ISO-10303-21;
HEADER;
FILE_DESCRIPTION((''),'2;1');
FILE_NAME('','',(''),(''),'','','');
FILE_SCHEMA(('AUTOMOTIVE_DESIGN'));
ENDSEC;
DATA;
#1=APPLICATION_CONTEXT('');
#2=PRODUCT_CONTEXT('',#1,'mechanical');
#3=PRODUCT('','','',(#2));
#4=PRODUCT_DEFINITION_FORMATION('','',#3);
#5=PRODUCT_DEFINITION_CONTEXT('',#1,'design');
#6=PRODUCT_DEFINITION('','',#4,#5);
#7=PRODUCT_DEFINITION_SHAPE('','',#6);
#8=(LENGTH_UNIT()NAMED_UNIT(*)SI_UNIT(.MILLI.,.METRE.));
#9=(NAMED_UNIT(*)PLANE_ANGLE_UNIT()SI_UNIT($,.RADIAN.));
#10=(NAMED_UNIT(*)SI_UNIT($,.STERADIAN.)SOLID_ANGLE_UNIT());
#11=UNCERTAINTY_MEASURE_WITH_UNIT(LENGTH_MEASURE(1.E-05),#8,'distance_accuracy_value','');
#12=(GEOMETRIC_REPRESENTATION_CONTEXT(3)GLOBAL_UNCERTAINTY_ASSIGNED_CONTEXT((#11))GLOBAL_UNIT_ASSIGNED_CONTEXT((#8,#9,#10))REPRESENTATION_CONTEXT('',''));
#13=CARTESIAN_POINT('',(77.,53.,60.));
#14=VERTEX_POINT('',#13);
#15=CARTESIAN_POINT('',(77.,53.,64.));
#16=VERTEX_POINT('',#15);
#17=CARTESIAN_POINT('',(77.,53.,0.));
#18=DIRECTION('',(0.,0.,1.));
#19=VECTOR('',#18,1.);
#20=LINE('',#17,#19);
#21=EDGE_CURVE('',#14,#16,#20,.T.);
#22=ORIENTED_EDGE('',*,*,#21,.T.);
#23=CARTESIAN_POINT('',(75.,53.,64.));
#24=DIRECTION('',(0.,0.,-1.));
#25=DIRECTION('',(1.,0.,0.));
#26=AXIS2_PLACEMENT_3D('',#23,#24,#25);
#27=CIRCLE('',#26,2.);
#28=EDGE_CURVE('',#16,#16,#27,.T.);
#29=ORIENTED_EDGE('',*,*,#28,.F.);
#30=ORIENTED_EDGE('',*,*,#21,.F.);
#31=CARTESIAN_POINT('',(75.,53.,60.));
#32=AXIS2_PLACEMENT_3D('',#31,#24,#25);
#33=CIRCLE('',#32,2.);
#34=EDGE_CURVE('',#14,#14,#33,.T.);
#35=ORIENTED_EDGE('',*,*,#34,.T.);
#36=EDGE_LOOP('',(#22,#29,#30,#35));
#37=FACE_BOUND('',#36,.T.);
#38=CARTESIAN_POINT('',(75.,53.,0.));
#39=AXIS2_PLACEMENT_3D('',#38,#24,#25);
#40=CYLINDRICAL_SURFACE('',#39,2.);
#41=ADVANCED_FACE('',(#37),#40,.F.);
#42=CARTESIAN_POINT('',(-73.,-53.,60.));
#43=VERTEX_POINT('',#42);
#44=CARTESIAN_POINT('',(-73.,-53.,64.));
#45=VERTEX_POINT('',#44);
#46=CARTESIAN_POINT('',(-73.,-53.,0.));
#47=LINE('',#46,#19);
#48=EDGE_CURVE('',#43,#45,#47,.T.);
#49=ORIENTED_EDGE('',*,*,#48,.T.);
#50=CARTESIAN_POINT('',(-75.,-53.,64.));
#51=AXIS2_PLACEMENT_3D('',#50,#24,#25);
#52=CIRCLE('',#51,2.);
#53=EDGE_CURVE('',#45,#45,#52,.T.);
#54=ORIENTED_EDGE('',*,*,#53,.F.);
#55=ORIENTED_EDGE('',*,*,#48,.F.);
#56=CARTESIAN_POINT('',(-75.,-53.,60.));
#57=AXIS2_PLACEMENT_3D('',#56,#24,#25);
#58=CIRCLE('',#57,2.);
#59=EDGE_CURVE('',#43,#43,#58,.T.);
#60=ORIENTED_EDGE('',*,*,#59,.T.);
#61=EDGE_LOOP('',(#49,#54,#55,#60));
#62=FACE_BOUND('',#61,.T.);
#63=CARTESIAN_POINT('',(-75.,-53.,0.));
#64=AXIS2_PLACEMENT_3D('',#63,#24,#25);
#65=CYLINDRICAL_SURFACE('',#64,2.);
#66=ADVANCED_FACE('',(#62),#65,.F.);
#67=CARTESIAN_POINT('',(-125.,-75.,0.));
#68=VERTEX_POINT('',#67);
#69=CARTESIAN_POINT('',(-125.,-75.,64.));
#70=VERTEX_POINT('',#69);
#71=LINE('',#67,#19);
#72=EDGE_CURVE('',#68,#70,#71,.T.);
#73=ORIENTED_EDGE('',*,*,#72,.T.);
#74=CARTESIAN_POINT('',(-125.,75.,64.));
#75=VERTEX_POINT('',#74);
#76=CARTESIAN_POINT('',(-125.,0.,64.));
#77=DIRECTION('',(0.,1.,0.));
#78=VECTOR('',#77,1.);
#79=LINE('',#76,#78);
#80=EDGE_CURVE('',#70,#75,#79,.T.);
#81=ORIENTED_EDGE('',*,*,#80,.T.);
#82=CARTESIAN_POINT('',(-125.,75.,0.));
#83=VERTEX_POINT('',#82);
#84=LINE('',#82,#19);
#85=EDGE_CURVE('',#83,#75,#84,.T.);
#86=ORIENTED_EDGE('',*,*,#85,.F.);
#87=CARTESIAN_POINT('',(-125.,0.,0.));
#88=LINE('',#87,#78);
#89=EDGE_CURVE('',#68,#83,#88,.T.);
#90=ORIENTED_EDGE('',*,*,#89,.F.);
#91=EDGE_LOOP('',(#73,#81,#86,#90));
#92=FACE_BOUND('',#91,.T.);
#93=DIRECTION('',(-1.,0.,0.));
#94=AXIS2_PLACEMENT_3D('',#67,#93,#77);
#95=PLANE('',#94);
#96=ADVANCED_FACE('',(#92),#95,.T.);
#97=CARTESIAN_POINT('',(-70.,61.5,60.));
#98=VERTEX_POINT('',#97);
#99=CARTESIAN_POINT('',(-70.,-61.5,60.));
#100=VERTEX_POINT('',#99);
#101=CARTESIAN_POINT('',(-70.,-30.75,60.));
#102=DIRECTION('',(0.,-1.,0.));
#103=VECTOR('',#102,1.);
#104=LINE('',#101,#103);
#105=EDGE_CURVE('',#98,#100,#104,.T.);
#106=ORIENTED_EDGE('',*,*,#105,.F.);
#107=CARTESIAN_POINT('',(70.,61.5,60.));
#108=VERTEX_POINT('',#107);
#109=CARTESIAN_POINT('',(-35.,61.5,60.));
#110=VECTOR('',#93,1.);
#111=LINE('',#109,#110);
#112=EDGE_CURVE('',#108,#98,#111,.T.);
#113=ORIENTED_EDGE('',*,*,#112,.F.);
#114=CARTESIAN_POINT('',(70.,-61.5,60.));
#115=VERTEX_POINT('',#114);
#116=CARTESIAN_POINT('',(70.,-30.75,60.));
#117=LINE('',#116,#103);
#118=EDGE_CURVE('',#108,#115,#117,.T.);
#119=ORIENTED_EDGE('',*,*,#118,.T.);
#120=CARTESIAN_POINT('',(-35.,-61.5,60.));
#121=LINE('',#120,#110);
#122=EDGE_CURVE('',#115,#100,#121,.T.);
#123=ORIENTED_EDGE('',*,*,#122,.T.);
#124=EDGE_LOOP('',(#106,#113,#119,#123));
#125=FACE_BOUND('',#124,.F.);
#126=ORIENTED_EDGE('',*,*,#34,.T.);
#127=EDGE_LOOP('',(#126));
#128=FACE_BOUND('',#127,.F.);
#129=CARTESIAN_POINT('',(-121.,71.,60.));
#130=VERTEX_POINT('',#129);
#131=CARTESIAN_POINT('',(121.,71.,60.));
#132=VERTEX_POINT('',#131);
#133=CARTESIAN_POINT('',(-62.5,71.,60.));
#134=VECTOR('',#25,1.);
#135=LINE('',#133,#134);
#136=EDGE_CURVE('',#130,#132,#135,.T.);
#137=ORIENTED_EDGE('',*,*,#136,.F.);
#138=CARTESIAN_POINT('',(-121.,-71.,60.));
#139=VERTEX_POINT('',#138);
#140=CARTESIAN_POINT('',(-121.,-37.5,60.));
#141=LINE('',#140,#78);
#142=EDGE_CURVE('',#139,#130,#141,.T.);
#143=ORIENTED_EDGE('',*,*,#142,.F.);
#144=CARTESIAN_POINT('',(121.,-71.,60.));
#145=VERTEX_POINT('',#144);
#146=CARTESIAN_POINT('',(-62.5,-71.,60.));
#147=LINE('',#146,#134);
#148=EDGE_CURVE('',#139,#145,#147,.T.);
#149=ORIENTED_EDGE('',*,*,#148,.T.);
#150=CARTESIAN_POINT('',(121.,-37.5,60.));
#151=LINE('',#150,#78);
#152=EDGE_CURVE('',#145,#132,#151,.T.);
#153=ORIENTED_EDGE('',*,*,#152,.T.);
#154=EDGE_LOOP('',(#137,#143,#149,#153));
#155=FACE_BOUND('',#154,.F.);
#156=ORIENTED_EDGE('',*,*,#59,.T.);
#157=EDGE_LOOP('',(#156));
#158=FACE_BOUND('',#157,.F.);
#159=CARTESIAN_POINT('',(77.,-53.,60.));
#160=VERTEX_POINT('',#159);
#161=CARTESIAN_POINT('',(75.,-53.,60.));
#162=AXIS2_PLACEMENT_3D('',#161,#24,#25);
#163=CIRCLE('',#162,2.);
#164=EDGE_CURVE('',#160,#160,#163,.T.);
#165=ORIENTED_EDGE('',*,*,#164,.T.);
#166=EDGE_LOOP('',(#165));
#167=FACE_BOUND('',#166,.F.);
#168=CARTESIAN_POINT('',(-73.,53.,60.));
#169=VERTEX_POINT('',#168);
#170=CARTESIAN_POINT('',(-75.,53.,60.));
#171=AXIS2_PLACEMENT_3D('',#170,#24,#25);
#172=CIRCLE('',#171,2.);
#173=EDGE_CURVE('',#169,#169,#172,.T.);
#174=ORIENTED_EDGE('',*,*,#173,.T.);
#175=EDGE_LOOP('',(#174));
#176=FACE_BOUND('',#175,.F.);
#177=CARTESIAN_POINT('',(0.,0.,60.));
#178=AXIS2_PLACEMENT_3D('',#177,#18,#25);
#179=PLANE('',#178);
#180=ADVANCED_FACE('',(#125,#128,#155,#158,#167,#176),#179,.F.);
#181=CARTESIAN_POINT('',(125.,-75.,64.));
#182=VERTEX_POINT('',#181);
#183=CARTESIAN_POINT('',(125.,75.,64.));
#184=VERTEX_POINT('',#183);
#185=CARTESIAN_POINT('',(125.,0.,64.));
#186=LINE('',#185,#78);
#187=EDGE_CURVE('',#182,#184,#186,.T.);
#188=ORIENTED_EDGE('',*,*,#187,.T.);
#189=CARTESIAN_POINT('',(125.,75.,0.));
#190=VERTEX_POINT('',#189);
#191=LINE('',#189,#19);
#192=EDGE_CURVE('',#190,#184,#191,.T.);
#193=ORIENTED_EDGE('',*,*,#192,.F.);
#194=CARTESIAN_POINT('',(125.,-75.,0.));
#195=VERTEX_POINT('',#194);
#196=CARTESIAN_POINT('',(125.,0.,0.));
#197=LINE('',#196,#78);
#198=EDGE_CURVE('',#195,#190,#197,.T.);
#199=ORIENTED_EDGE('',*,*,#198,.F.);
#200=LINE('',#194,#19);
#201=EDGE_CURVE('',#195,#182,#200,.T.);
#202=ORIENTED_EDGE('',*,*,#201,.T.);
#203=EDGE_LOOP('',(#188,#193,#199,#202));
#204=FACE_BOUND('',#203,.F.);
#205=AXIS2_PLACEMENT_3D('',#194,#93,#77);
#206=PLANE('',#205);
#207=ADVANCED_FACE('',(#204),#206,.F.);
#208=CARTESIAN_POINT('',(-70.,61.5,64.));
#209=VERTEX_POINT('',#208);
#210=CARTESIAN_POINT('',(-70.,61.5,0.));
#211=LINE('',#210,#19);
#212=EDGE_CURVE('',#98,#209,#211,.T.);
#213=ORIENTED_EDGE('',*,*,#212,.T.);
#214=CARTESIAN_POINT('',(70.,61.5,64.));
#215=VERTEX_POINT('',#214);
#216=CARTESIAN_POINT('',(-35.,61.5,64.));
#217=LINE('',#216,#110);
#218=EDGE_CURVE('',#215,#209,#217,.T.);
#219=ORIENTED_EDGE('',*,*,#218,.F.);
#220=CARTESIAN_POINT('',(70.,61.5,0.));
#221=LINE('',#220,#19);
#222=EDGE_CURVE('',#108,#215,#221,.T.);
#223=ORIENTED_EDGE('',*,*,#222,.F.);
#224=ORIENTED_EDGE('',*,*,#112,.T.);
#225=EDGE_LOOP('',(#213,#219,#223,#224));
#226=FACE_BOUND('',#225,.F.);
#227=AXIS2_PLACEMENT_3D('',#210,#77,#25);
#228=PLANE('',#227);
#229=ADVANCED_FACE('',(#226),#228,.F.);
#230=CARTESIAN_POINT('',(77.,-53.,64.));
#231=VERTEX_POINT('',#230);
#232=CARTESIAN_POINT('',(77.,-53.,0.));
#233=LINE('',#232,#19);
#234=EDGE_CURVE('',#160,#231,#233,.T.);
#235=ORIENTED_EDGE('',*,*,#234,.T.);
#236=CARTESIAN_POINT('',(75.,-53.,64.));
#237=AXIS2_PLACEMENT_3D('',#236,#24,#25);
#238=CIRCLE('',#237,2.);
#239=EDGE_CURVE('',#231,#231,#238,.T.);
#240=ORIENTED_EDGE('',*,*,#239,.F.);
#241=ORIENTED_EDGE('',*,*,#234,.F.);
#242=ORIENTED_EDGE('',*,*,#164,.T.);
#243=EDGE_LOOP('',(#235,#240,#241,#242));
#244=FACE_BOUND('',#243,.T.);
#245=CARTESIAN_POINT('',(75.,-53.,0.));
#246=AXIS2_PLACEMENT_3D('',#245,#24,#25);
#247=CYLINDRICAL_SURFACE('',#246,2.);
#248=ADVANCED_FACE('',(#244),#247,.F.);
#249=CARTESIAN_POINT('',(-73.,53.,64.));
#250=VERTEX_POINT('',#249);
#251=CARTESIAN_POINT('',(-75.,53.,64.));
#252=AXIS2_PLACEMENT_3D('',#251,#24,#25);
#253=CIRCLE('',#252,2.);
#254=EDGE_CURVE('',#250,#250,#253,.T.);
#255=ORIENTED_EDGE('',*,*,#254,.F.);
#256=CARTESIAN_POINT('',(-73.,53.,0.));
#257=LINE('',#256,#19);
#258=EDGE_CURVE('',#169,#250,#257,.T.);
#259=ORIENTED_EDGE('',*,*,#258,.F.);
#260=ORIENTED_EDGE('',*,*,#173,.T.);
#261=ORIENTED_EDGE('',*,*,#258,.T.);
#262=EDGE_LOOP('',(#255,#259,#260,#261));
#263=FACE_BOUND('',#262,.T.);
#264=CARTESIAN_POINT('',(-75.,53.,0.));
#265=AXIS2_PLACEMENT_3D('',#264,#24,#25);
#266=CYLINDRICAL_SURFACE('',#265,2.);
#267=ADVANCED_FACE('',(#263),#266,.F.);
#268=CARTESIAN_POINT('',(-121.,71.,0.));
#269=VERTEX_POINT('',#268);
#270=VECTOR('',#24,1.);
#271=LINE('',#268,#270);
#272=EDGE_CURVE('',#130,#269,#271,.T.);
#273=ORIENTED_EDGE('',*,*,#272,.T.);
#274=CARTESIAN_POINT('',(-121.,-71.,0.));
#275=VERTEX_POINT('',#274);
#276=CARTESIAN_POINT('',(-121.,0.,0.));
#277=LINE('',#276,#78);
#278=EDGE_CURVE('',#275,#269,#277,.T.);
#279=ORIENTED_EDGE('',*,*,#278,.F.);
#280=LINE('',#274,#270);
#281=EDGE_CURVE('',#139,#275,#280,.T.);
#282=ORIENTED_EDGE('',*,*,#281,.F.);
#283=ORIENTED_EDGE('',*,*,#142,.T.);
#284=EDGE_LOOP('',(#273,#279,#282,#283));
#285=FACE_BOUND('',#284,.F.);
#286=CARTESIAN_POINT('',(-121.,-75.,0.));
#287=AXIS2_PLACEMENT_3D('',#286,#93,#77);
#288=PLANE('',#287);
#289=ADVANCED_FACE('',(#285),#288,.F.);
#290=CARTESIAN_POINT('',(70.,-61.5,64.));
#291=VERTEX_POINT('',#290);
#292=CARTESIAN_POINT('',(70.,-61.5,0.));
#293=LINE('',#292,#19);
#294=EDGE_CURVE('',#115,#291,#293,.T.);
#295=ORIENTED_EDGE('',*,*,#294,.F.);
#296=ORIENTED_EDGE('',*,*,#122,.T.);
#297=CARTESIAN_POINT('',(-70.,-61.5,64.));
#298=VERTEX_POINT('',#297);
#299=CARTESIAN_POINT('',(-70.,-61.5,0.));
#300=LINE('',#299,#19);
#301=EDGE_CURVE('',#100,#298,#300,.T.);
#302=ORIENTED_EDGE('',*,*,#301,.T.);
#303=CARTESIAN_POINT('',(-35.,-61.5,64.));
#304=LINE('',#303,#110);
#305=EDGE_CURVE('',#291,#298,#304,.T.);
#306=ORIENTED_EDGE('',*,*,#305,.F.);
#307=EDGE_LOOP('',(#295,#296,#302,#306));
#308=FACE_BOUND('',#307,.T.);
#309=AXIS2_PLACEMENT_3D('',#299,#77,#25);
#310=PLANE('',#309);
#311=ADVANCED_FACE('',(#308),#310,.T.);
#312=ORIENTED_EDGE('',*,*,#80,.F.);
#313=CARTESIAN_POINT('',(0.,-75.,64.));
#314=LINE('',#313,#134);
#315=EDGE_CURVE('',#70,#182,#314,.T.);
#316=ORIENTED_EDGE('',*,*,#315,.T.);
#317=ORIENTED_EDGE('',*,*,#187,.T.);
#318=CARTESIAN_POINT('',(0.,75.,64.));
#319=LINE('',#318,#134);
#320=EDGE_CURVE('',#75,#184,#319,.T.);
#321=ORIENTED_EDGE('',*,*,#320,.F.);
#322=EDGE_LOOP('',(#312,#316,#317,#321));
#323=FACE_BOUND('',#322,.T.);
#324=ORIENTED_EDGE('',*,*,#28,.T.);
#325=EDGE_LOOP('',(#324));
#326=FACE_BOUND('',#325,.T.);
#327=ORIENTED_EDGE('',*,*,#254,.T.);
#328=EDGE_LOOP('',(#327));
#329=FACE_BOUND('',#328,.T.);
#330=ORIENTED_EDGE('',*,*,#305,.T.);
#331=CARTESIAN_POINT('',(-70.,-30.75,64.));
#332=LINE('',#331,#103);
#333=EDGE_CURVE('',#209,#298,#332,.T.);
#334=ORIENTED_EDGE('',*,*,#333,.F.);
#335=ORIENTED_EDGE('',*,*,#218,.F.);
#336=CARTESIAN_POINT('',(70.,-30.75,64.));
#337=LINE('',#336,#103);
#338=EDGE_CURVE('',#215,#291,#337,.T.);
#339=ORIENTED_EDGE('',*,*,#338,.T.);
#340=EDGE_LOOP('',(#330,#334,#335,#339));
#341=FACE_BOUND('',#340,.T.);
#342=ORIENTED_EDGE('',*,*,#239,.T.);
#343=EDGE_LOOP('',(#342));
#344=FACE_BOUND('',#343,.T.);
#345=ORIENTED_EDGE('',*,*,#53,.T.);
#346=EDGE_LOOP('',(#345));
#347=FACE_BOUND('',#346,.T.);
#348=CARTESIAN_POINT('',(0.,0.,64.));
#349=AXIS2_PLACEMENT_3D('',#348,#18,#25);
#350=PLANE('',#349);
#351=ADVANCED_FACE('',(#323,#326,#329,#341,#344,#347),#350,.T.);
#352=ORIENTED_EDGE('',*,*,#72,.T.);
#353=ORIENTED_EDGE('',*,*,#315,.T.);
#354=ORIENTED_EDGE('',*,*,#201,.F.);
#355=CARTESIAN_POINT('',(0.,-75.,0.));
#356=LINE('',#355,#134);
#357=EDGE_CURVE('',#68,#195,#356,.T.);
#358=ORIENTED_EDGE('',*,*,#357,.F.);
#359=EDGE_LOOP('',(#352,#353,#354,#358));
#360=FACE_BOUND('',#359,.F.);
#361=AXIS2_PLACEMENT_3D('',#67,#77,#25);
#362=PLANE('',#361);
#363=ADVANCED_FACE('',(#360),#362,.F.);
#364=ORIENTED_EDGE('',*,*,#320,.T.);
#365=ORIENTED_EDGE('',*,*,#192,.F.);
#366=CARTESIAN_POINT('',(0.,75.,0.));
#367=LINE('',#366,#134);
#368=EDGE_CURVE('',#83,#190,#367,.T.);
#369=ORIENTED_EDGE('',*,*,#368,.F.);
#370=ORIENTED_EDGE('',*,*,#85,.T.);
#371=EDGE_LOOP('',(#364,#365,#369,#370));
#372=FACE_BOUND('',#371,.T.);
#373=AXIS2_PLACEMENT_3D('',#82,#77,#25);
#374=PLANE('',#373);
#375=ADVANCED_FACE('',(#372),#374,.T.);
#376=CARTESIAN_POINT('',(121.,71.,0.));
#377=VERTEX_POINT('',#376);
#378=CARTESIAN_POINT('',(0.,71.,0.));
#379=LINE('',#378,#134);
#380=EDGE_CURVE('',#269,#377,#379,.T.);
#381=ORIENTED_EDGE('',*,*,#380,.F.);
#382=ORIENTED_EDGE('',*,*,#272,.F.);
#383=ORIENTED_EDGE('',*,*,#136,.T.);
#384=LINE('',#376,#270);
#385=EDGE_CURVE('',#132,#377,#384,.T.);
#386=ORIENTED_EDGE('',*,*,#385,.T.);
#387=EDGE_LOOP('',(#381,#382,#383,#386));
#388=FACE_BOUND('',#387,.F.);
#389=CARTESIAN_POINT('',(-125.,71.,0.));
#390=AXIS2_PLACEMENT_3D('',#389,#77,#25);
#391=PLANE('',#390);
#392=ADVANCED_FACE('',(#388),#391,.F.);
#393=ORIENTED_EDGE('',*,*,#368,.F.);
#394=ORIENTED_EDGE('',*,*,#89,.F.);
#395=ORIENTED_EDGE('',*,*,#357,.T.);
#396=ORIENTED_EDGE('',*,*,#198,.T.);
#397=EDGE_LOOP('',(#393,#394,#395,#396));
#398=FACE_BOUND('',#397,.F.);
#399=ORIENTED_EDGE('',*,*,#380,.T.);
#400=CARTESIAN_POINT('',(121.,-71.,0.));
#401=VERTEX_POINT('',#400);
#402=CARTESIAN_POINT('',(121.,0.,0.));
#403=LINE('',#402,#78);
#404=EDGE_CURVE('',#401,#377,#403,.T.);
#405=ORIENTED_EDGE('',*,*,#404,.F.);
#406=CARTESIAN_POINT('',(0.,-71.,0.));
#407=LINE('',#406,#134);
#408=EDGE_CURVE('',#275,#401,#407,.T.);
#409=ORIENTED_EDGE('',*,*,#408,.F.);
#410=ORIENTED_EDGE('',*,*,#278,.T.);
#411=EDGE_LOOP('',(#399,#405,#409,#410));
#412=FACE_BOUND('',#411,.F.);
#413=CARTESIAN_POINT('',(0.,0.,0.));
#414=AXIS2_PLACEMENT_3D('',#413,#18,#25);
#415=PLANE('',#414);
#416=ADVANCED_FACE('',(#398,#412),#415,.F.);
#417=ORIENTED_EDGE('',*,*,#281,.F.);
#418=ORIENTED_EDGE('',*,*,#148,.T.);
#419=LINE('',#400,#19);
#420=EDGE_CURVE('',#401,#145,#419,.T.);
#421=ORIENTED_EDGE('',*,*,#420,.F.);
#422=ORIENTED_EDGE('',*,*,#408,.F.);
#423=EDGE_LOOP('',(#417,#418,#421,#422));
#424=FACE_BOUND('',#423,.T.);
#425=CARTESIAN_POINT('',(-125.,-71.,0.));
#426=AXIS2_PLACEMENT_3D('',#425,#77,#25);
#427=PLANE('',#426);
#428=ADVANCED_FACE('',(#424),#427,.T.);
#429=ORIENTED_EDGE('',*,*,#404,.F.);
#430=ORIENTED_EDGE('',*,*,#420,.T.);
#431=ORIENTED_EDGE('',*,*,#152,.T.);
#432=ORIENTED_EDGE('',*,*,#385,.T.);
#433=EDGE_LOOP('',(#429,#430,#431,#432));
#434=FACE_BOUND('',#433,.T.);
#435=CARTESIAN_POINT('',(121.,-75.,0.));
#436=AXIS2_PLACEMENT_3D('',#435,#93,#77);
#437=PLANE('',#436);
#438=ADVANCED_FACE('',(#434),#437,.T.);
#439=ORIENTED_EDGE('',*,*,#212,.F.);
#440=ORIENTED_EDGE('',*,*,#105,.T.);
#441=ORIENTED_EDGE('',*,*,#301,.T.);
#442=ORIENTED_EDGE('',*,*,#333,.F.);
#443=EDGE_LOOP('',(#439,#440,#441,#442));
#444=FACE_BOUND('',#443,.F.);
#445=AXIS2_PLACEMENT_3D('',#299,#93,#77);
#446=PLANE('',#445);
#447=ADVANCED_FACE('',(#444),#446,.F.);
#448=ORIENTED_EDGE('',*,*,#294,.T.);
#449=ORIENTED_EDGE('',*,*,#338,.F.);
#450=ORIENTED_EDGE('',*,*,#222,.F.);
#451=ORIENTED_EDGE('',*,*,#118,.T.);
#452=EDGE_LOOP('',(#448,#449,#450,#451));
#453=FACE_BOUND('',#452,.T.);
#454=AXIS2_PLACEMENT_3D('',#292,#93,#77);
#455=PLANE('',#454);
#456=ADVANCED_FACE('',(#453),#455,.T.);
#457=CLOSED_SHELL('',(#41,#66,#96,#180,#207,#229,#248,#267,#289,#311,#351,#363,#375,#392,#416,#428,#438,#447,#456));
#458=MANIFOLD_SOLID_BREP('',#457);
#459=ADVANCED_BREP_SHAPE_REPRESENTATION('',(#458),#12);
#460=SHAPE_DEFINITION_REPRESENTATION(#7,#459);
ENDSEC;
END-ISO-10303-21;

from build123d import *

# Parameters (mm, degrees)
F0_W     = 250
F0_H     = 150
F1_DEPTH = 64
F2_T     = -4
F3_W     = 140
F3_H     = 123
F3_R     = 2
F4_DEPTH = 64.001


with BuildPart() as f1:
    # F0 (on Top) → F1 (new body)
    with BuildSketch(Plane.XY):
        Rectangle(F0_W, F0_H)
    extrude(amount=F1_DEPTH)

    # F2
    f2_openings = [f1.faces().sort_by_distance(p)[0] for p in [
        (0, 0, 0),
    ]]
    offset(amount=F2_T, openings=f2_openings)

    # F3 (on Top) → F4 (cut, through all)
    with BuildSketch(Plane.XY):
        Rectangle(F3_W, F3_H)
        with Locations((-75, -53)):
            Circle(F3_R)
        with Locations((75, -53)):
            Circle(F3_R)
        with Locations((-75, 53)):
            Circle(F3_R)
        with Locations((75, 53)):
            Circle(F3_R)
    extrude(amount=F4_DEPTH, mode=Mode.SUBTRACT)


solid = f1.part
